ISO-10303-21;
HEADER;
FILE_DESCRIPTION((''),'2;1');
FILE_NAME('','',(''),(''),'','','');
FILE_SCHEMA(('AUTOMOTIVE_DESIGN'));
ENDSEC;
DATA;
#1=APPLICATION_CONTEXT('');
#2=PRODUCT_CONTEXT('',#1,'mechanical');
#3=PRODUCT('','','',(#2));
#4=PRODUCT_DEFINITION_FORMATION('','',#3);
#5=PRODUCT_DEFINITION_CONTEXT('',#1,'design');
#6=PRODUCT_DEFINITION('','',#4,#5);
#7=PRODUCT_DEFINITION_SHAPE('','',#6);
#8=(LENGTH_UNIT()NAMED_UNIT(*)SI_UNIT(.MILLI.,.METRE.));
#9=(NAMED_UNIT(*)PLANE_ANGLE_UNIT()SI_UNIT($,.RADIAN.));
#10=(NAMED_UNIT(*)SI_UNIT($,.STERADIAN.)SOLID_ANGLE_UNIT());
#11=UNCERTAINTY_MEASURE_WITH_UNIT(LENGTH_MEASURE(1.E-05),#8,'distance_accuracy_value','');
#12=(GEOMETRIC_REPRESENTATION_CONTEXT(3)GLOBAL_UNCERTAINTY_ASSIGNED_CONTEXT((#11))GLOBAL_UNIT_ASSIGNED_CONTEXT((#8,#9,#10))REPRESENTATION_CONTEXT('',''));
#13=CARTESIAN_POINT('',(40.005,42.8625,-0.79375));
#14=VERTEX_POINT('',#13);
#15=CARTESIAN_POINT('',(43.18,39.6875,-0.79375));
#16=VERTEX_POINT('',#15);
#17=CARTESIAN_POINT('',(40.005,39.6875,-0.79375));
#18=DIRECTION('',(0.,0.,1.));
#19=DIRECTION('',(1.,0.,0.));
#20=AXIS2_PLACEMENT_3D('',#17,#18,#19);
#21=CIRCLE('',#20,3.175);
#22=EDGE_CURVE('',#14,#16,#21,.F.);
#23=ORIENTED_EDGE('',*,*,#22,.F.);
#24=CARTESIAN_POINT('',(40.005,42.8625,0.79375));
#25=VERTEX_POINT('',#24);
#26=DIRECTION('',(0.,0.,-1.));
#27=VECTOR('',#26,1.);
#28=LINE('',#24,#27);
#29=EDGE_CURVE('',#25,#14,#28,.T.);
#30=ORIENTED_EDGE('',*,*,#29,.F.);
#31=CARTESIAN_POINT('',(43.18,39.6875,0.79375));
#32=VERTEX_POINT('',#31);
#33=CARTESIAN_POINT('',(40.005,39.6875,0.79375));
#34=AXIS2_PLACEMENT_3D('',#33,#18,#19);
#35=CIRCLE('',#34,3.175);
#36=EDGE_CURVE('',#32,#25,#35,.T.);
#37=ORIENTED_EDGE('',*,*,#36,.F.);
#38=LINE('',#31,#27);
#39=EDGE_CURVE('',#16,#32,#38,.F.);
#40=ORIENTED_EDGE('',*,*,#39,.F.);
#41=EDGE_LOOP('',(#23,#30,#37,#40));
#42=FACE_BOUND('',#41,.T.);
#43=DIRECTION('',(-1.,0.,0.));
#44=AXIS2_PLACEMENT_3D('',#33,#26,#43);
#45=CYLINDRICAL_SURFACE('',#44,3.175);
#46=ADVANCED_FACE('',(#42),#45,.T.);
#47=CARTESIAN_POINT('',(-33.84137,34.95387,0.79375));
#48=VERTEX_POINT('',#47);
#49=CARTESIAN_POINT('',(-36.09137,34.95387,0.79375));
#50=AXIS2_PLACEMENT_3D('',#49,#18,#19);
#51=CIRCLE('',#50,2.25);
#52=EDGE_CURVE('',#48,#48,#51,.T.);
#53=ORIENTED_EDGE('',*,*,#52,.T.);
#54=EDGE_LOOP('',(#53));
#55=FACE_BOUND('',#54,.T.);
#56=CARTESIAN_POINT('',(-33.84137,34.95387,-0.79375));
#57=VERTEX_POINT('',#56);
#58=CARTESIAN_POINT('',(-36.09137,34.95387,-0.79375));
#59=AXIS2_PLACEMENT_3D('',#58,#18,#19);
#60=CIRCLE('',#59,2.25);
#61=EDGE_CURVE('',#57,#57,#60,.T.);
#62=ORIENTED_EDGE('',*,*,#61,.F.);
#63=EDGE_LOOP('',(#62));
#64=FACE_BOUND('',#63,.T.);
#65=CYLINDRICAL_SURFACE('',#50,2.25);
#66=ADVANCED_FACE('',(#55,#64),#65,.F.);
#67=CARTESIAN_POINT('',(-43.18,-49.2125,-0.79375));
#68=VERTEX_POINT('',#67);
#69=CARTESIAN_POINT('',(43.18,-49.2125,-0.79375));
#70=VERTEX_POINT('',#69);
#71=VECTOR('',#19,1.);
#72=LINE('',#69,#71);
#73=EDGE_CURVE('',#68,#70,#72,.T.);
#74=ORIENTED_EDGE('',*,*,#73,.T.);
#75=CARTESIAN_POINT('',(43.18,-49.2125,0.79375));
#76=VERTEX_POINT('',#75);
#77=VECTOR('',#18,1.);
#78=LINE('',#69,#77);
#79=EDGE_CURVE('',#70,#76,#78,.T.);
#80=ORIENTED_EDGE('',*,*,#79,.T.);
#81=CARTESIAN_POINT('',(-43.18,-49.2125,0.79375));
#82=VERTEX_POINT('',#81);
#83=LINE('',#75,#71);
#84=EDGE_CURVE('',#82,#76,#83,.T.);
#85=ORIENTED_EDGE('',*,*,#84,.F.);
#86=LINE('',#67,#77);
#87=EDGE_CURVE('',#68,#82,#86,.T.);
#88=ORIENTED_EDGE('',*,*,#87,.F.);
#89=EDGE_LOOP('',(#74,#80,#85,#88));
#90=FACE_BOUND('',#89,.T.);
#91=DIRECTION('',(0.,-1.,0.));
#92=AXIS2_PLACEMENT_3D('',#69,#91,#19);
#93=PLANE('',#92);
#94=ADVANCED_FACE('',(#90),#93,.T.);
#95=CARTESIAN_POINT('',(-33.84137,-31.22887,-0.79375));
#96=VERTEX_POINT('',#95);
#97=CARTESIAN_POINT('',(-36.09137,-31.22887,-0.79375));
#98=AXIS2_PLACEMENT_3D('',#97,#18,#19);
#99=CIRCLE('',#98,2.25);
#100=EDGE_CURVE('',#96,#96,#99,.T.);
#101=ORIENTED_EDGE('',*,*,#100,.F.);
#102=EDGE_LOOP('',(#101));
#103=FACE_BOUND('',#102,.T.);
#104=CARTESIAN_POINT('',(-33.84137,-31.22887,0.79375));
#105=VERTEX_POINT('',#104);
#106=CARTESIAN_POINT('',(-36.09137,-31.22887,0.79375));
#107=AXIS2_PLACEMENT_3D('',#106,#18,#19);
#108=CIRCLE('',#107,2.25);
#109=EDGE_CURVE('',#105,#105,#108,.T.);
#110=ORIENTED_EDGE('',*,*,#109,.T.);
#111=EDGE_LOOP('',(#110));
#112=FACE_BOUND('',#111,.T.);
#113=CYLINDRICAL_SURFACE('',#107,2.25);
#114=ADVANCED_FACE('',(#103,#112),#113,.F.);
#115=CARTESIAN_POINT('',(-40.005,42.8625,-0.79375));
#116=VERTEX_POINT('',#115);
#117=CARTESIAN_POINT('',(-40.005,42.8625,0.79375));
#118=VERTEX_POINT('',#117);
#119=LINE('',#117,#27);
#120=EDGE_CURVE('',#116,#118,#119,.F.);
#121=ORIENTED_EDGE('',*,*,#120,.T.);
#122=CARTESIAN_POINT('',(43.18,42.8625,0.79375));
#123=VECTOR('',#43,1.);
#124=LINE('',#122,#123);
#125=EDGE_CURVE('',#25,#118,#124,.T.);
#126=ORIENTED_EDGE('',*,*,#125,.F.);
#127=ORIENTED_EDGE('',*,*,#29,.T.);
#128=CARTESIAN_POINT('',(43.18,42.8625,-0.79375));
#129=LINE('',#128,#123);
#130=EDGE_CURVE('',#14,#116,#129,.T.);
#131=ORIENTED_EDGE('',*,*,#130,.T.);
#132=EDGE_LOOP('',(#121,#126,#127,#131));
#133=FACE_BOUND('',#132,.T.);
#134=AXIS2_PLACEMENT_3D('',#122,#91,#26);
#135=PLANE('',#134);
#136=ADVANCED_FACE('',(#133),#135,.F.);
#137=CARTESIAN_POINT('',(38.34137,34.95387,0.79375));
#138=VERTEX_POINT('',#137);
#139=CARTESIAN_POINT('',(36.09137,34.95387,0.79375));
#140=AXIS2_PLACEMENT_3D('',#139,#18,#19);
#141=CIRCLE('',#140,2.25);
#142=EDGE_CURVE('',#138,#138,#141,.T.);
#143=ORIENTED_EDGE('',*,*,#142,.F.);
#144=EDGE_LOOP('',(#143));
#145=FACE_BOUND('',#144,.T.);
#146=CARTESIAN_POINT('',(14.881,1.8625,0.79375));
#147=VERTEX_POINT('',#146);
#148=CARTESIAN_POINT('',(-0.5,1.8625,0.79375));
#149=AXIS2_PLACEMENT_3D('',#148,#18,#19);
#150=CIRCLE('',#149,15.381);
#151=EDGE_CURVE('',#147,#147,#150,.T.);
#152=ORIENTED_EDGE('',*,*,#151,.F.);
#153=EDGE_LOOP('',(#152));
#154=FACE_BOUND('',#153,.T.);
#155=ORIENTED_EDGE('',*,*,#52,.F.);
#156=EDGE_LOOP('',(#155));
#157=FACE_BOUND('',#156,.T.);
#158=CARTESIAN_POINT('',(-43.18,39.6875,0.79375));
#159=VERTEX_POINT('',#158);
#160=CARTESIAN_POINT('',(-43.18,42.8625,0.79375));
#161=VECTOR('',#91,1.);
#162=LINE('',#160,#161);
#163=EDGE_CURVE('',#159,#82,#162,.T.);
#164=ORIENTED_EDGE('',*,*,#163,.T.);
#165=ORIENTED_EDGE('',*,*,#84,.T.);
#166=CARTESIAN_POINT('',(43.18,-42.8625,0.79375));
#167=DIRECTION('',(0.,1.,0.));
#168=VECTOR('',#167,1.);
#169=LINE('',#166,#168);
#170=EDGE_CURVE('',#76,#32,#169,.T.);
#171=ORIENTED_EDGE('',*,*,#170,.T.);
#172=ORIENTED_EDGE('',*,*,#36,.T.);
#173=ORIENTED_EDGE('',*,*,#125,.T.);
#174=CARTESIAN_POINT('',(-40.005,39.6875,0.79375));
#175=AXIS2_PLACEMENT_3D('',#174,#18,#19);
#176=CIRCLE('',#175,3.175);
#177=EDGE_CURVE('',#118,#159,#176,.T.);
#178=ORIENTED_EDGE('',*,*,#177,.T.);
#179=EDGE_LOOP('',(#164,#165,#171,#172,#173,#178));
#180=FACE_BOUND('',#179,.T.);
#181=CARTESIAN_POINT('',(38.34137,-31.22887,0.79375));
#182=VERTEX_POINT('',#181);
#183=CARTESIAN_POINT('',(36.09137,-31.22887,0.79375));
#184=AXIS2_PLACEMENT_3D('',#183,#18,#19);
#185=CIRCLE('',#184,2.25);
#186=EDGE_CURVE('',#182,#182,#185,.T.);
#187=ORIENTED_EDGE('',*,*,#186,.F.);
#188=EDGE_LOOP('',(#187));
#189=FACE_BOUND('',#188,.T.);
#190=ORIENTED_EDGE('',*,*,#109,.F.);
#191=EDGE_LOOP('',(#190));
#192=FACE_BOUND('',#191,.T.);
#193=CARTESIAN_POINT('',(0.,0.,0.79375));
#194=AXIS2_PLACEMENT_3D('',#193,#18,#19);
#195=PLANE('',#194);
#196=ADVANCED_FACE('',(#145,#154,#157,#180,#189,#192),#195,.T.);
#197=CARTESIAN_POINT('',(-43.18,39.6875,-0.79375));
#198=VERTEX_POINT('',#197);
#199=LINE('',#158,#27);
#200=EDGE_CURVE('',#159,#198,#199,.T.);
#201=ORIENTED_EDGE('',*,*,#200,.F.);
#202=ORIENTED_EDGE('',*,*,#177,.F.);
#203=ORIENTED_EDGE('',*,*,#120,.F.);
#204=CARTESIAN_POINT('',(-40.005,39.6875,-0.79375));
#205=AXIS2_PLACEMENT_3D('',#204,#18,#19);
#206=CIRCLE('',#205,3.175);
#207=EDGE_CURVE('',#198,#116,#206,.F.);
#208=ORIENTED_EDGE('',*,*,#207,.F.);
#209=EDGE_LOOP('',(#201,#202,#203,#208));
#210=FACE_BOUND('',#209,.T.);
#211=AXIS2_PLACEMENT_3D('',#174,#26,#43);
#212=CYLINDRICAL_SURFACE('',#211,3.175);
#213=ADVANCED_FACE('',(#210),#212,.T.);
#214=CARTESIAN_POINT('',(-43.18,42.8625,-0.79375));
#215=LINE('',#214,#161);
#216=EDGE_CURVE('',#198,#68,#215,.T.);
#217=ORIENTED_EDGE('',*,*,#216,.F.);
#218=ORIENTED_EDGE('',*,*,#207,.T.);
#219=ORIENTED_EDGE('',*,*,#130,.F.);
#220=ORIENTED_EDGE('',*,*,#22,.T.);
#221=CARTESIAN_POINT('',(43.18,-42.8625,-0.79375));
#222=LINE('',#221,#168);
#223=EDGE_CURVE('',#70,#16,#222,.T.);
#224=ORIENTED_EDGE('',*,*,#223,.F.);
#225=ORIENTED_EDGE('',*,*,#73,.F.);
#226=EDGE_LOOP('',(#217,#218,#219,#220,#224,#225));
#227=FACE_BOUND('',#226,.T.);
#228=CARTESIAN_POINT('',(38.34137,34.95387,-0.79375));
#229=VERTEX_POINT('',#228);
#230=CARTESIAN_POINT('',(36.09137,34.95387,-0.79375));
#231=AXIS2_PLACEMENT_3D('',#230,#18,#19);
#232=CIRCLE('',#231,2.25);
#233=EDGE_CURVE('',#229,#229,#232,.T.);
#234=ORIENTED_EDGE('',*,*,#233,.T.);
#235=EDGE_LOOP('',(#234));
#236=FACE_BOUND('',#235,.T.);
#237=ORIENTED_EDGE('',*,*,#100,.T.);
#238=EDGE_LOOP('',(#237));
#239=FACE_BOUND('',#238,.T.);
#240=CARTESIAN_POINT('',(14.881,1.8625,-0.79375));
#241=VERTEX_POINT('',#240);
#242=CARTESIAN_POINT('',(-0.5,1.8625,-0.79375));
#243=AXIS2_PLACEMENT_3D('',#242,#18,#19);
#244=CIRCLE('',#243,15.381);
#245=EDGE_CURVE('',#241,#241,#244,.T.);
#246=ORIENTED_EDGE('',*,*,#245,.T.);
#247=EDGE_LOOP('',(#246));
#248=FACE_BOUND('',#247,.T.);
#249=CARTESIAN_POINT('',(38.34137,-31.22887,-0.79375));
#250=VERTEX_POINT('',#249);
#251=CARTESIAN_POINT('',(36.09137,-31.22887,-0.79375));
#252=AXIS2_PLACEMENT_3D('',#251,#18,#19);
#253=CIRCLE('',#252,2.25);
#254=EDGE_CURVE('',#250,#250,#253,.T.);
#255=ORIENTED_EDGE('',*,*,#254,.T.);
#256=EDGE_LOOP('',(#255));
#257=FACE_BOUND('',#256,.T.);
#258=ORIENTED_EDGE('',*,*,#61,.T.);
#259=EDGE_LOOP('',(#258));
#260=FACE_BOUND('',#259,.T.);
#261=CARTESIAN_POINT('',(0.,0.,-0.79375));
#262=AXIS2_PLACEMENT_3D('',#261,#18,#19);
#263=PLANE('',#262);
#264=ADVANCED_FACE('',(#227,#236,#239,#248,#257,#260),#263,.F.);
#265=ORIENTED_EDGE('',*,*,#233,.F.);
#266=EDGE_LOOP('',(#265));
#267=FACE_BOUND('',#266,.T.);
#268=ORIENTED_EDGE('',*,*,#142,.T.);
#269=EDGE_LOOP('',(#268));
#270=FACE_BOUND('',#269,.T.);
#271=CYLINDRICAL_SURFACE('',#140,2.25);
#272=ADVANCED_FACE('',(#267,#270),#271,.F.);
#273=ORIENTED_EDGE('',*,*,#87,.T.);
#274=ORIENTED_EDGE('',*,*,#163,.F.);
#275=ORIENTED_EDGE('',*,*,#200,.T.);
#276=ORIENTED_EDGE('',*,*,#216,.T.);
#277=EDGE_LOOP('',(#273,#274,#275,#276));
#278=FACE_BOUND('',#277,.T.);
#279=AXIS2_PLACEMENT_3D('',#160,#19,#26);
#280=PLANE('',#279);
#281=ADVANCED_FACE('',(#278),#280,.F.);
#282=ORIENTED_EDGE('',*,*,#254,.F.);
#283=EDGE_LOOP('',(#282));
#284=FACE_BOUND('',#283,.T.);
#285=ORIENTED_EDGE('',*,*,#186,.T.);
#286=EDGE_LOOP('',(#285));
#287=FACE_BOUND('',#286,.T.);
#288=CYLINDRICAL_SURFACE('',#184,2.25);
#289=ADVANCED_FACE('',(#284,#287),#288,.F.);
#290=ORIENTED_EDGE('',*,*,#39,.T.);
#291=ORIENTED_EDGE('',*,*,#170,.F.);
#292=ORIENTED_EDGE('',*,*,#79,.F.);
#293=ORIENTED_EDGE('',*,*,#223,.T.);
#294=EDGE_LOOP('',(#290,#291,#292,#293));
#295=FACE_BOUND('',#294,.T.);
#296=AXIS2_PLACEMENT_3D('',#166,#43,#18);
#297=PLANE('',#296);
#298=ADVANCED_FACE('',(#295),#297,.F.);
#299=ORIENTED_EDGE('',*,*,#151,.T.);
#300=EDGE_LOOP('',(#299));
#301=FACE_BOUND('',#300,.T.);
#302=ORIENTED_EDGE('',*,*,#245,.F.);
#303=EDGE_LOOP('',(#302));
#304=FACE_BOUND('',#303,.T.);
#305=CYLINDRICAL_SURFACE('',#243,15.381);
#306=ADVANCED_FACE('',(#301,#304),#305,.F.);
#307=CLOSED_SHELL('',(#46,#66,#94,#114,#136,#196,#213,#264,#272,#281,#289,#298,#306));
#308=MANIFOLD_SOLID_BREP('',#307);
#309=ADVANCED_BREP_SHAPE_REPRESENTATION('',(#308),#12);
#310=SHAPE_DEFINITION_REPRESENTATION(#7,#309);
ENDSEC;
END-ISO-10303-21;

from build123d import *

# Parameters (mm, degrees)
SKETCH2_W            = 86.36
SKETCH2_H            = 85.725
BOSS_EXTRUDE1_DEPTH  = 0.79375
SKETCH3_R            = 15.380999972
CUT_EXTRUDE1_DEPTH   = 61.862356695
M4_CLEARANCE_HOLE1_D = 4.5
SKETCH5_W            = 86.36
SKETCH5_H            = 6.35
BOSS_EXTRUDE2_DEPTH  = 1.5875
FILLET1_R            = 3.175


with BuildPart() as part:
    # Sketch2 → Boss-Extrude1 (new, symmetric)
    with BuildSketch(Plane.XY):
        Rectangle(SKETCH2_W, SKETCH2_H)
    extrude(amount=BOSS_EXTRUDE1_DEPTH, both=True)

    # Sketch3 → Cut-Extrude1 (cut, through all)
    with BuildSketch(Plane.XY.offset(0.79375)):
        with Locations((-0.5, 1.8625)):
            Circle(SKETCH3_R)
    extrude(amount=-CUT_EXTRUDE1_DEPTH, mode=Mode.SUBTRACT)

    # M4 Clearance Hole1 (through all)
    with Locations(Plane(origin=(36.09137025, 34.95387025, 0.79375), x_dir=(1, 0, 0), z_dir=(0, 0, 1))):
        with Locations((0, 0), (0, -66.1827405), (-72.1827405, 0), (-72.1827405, -66.1827405)):
            Hole(M4_CLEARANCE_HOLE1_D / 2)

    # Sketch5 → Boss-Extrude2 (add)
    with BuildSketch(Plane.XY.offset(0.79375)):
        with Locations((0, -46.0375)):
            Rectangle(SKETCH5_W, SKETCH5_H)
    extrude(amount=-BOSS_EXTRUDE2_DEPTH)

    # Fillet1
    fillet1_edges = [part.edges().sort_by_distance(p)[0] for p in [
        (-43.18, 42.8625, 0),
        (43.18, 42.8625, 0),
    ]]
    fillet(fillet1_edges, radius=FILLET1_R)


solid = part.part
